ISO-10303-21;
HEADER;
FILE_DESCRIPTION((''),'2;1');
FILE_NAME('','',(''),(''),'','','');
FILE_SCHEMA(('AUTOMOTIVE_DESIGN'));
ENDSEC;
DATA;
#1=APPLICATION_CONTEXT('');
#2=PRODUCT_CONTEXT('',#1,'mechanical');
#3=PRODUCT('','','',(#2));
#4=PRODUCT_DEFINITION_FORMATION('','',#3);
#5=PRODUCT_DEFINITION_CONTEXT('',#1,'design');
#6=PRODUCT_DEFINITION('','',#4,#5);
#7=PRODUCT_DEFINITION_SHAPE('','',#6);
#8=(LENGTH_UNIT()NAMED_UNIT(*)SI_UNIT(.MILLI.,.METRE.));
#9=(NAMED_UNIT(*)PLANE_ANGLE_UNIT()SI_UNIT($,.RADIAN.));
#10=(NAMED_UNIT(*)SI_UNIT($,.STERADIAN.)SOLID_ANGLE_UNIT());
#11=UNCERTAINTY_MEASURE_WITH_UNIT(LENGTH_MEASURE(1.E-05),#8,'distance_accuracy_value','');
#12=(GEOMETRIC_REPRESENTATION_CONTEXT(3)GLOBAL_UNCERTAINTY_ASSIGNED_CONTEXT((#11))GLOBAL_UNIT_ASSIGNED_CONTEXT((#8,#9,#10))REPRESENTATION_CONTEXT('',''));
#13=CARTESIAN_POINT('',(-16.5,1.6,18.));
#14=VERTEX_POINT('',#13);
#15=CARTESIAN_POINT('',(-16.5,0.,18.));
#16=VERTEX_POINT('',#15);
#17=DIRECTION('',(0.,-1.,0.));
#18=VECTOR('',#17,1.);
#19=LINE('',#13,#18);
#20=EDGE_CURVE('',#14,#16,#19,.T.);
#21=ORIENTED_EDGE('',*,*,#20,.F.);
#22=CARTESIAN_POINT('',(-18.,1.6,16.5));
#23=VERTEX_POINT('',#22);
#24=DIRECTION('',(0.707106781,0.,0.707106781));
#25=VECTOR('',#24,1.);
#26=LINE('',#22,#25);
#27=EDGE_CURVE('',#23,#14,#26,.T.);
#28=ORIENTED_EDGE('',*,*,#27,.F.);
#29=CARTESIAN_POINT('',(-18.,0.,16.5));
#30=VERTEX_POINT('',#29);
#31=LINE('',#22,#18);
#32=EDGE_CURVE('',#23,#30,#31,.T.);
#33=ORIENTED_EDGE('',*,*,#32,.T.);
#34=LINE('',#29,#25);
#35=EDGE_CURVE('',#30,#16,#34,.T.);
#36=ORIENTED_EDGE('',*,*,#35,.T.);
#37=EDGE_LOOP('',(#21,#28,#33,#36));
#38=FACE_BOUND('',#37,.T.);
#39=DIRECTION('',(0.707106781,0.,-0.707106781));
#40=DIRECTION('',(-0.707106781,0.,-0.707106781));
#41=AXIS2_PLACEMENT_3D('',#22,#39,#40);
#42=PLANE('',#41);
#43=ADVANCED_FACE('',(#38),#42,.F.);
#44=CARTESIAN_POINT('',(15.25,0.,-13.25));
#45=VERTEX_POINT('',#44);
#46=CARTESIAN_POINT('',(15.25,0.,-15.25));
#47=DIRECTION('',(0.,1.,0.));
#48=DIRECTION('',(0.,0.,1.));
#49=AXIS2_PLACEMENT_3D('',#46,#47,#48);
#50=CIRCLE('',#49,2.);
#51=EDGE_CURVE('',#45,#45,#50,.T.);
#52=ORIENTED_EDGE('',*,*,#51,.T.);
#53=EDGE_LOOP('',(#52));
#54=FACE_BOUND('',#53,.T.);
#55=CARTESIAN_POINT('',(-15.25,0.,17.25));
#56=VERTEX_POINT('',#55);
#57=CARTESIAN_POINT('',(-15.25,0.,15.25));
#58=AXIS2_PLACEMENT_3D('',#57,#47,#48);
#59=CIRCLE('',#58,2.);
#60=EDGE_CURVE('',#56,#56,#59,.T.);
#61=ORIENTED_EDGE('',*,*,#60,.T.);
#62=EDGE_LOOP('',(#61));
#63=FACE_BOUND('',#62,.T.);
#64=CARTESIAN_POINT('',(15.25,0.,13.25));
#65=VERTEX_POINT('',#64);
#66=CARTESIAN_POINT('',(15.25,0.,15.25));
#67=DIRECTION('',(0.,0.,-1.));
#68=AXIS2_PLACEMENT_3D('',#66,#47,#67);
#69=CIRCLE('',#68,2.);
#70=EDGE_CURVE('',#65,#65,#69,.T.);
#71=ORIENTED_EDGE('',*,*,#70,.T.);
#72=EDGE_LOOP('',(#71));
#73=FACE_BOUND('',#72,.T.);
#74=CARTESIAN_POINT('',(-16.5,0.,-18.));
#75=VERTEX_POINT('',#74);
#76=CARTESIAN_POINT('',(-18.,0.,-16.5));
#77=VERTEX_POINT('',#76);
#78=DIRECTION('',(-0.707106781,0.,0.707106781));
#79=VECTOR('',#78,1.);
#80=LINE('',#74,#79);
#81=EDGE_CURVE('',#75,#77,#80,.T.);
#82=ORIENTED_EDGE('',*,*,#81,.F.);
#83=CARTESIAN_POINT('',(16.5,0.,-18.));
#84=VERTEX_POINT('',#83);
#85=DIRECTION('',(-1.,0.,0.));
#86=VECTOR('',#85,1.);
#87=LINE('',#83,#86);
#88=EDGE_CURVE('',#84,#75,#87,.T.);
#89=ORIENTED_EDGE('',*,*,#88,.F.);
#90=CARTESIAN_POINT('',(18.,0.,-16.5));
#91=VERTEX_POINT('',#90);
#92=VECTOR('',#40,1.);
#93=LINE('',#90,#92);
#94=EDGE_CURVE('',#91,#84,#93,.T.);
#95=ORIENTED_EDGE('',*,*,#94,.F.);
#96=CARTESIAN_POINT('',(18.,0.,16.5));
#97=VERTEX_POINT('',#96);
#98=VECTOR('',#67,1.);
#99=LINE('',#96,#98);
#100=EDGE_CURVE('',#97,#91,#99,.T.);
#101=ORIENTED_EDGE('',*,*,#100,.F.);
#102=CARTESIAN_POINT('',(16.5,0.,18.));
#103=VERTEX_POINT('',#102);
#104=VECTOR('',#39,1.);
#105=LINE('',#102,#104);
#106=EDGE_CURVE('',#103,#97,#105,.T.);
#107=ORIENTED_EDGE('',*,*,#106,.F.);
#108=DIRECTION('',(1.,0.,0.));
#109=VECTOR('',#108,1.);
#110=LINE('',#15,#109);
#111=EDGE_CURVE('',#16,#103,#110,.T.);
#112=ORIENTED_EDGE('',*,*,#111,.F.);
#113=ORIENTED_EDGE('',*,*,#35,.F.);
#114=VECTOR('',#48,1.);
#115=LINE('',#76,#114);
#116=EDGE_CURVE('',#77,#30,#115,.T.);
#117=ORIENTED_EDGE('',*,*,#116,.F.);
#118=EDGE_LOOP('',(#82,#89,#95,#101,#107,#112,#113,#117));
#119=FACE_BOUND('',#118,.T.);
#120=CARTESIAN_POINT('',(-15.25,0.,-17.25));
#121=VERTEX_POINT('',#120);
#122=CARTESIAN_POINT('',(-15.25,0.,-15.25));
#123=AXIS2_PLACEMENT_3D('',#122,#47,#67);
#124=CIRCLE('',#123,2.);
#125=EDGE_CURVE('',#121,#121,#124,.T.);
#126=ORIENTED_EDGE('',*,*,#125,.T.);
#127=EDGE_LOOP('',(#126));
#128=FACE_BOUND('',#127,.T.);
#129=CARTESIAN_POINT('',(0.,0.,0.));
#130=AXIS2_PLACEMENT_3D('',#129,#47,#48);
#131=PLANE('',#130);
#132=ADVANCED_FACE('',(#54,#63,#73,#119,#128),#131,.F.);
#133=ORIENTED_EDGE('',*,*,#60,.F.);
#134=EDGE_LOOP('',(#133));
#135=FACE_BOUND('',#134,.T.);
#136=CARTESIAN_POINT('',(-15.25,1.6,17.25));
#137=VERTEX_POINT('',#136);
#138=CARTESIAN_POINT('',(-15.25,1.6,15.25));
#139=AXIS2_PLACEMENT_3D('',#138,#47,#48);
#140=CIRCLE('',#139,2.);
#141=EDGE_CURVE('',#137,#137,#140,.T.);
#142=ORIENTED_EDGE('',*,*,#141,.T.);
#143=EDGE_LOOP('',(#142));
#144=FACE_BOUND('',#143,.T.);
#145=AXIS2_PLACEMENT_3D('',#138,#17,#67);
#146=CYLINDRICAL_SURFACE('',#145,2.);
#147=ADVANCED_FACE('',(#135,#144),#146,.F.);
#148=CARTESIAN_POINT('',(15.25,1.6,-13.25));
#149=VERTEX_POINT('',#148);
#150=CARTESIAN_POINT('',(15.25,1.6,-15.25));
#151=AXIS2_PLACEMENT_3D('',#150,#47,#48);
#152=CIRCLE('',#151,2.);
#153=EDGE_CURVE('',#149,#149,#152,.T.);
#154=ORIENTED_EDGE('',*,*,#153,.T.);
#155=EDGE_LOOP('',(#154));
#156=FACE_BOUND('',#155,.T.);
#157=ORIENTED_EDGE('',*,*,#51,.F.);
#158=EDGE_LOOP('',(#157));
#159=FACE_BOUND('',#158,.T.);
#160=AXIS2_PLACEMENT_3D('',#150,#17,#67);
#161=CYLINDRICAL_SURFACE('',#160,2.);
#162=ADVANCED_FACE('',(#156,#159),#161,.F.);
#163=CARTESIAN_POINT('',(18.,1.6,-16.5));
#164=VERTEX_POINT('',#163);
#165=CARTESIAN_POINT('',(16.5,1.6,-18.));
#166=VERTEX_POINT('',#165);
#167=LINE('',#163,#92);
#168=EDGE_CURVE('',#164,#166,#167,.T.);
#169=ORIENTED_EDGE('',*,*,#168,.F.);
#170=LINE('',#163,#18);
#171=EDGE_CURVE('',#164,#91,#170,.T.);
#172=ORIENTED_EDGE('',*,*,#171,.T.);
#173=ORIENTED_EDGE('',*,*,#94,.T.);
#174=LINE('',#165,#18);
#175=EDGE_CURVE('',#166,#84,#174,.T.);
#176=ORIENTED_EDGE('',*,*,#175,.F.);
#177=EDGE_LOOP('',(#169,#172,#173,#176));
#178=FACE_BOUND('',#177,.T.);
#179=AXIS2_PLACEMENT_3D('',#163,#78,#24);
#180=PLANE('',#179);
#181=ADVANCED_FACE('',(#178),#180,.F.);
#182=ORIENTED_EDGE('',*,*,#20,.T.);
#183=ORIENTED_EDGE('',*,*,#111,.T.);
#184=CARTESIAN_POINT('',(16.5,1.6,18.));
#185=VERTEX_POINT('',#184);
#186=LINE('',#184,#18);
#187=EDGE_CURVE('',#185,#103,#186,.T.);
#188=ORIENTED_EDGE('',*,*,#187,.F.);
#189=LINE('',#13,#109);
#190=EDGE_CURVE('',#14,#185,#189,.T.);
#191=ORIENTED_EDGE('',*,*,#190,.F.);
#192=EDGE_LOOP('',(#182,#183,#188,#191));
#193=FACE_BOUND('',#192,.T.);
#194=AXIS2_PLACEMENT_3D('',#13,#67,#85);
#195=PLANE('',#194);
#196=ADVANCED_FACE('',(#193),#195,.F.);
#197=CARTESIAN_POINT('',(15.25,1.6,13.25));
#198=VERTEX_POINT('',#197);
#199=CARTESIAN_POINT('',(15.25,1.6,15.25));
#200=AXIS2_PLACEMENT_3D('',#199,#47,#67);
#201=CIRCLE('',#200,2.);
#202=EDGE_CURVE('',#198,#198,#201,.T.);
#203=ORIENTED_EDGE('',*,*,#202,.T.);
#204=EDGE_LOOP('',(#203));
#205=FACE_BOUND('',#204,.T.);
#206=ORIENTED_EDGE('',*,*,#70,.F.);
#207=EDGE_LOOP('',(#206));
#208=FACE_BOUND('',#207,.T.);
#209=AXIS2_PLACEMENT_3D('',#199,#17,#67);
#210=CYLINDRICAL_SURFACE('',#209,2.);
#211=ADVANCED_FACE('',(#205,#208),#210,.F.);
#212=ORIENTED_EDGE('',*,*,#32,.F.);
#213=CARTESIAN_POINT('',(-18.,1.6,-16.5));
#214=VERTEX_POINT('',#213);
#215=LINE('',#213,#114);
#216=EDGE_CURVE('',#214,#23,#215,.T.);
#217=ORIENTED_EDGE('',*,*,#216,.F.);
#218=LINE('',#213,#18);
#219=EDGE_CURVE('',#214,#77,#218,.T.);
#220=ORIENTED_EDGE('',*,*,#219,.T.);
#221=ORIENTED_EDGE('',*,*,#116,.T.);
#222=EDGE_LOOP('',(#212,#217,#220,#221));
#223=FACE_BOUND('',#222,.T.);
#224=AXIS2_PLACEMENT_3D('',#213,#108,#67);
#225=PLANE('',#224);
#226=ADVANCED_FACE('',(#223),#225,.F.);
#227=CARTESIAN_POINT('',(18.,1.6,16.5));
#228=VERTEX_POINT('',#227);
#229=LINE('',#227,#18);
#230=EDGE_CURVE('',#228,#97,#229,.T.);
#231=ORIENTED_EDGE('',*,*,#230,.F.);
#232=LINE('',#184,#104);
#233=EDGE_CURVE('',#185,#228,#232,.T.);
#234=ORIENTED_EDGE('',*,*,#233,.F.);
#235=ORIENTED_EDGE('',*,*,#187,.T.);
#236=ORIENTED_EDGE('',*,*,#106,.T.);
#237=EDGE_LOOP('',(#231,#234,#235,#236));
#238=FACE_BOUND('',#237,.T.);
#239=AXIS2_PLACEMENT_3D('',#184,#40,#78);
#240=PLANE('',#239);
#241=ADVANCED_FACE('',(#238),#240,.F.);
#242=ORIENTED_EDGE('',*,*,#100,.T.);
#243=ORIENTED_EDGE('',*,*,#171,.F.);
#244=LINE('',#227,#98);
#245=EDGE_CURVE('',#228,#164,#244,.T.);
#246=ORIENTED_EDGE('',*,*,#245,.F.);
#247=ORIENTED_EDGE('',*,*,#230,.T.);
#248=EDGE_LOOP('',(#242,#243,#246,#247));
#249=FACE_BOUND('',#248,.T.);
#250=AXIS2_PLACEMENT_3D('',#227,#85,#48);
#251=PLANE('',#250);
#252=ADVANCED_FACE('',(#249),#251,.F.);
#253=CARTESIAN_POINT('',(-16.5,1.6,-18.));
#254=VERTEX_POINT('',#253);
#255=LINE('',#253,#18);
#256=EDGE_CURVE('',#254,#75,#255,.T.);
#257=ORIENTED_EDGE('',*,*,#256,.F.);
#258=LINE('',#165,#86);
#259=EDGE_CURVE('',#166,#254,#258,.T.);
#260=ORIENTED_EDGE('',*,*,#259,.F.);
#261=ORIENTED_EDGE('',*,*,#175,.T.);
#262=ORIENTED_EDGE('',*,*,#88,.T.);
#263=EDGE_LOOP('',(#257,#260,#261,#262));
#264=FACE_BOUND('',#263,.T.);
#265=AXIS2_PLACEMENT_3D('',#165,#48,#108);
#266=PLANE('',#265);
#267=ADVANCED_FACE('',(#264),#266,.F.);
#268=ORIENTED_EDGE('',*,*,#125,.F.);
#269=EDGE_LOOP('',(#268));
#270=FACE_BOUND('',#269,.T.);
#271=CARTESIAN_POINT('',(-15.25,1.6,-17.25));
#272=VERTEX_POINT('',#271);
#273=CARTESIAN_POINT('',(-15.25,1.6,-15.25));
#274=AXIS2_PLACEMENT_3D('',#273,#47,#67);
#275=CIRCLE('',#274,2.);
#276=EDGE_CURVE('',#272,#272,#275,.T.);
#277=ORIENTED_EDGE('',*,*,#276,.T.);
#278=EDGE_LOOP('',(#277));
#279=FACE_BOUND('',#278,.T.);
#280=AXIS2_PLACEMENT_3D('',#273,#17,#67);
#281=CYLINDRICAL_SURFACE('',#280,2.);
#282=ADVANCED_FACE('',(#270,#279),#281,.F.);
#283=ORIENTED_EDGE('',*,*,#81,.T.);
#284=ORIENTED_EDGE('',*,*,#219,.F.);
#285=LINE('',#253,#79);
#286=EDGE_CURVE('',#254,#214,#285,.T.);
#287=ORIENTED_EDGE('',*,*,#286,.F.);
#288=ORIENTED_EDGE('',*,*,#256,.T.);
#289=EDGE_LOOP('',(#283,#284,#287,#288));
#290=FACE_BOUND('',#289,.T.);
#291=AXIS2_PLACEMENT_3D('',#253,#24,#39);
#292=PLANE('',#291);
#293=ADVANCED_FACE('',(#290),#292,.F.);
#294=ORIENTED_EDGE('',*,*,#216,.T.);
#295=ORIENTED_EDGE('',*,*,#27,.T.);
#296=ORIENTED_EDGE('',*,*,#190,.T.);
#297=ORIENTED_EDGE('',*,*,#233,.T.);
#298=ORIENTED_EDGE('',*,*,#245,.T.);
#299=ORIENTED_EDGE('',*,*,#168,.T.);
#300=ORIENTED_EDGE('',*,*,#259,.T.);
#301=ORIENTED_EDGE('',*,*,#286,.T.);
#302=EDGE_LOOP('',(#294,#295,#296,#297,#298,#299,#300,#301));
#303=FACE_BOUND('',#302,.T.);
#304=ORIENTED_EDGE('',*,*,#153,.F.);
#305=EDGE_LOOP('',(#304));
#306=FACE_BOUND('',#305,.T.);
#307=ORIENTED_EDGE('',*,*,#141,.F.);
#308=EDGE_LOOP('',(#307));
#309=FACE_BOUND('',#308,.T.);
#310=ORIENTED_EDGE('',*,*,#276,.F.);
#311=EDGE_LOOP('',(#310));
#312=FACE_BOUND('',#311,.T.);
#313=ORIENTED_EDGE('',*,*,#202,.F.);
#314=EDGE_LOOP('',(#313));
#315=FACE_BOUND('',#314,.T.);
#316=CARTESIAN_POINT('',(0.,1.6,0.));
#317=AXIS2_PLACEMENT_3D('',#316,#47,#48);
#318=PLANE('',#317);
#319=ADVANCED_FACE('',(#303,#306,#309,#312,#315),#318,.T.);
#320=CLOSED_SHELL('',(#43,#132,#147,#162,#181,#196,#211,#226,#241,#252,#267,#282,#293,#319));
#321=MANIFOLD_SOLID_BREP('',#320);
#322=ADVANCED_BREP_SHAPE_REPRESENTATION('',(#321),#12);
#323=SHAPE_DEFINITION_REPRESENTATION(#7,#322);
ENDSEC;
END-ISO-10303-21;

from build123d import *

# Parameters (mm, degrees)
SKETCH_1_R      = 2
EXTRUDE_1_DEPTH = 1.6


with BuildPart() as part:
    # 草图1 → 凸台-拉伸1 (new body)
    with BuildSketch(Plane(origin=(0, 0, 0), x_dir=(1, 0, 0), z_dir=(0, 1, 0))):
        Polygon((-16.5, -18), (16.5, -18), (18, -16.5), (18, 16.5), (16.5, 18), (-16.5, 18), (-18, 16.5), (-18, -16.5), align=None)
        with Locations(Location((15.25, 15.25, 0), (0, 0, 270))):
            Circle(SKETCH_1_R, mode=Mode.SUBTRACT)
        with Locations(Location((-15.25, 15.25, 0), (0, 0, 90))):
            Circle(SKETCH_1_R, mode=Mode.SUBTRACT)
        with Locations(Location((15.25, -15.25, 0), (0, 0, 90))):
            Circle(SKETCH_1_R, mode=Mode.SUBTRACT)
        with Locations(Location((-15.25, -15.25, 0), (0, 0, 270))):
            Circle(SKETCH_1_R, mode=Mode.SUBTRACT)
    extrude(amount=EXTRUDE_1_DEPTH)


solid = part.part
